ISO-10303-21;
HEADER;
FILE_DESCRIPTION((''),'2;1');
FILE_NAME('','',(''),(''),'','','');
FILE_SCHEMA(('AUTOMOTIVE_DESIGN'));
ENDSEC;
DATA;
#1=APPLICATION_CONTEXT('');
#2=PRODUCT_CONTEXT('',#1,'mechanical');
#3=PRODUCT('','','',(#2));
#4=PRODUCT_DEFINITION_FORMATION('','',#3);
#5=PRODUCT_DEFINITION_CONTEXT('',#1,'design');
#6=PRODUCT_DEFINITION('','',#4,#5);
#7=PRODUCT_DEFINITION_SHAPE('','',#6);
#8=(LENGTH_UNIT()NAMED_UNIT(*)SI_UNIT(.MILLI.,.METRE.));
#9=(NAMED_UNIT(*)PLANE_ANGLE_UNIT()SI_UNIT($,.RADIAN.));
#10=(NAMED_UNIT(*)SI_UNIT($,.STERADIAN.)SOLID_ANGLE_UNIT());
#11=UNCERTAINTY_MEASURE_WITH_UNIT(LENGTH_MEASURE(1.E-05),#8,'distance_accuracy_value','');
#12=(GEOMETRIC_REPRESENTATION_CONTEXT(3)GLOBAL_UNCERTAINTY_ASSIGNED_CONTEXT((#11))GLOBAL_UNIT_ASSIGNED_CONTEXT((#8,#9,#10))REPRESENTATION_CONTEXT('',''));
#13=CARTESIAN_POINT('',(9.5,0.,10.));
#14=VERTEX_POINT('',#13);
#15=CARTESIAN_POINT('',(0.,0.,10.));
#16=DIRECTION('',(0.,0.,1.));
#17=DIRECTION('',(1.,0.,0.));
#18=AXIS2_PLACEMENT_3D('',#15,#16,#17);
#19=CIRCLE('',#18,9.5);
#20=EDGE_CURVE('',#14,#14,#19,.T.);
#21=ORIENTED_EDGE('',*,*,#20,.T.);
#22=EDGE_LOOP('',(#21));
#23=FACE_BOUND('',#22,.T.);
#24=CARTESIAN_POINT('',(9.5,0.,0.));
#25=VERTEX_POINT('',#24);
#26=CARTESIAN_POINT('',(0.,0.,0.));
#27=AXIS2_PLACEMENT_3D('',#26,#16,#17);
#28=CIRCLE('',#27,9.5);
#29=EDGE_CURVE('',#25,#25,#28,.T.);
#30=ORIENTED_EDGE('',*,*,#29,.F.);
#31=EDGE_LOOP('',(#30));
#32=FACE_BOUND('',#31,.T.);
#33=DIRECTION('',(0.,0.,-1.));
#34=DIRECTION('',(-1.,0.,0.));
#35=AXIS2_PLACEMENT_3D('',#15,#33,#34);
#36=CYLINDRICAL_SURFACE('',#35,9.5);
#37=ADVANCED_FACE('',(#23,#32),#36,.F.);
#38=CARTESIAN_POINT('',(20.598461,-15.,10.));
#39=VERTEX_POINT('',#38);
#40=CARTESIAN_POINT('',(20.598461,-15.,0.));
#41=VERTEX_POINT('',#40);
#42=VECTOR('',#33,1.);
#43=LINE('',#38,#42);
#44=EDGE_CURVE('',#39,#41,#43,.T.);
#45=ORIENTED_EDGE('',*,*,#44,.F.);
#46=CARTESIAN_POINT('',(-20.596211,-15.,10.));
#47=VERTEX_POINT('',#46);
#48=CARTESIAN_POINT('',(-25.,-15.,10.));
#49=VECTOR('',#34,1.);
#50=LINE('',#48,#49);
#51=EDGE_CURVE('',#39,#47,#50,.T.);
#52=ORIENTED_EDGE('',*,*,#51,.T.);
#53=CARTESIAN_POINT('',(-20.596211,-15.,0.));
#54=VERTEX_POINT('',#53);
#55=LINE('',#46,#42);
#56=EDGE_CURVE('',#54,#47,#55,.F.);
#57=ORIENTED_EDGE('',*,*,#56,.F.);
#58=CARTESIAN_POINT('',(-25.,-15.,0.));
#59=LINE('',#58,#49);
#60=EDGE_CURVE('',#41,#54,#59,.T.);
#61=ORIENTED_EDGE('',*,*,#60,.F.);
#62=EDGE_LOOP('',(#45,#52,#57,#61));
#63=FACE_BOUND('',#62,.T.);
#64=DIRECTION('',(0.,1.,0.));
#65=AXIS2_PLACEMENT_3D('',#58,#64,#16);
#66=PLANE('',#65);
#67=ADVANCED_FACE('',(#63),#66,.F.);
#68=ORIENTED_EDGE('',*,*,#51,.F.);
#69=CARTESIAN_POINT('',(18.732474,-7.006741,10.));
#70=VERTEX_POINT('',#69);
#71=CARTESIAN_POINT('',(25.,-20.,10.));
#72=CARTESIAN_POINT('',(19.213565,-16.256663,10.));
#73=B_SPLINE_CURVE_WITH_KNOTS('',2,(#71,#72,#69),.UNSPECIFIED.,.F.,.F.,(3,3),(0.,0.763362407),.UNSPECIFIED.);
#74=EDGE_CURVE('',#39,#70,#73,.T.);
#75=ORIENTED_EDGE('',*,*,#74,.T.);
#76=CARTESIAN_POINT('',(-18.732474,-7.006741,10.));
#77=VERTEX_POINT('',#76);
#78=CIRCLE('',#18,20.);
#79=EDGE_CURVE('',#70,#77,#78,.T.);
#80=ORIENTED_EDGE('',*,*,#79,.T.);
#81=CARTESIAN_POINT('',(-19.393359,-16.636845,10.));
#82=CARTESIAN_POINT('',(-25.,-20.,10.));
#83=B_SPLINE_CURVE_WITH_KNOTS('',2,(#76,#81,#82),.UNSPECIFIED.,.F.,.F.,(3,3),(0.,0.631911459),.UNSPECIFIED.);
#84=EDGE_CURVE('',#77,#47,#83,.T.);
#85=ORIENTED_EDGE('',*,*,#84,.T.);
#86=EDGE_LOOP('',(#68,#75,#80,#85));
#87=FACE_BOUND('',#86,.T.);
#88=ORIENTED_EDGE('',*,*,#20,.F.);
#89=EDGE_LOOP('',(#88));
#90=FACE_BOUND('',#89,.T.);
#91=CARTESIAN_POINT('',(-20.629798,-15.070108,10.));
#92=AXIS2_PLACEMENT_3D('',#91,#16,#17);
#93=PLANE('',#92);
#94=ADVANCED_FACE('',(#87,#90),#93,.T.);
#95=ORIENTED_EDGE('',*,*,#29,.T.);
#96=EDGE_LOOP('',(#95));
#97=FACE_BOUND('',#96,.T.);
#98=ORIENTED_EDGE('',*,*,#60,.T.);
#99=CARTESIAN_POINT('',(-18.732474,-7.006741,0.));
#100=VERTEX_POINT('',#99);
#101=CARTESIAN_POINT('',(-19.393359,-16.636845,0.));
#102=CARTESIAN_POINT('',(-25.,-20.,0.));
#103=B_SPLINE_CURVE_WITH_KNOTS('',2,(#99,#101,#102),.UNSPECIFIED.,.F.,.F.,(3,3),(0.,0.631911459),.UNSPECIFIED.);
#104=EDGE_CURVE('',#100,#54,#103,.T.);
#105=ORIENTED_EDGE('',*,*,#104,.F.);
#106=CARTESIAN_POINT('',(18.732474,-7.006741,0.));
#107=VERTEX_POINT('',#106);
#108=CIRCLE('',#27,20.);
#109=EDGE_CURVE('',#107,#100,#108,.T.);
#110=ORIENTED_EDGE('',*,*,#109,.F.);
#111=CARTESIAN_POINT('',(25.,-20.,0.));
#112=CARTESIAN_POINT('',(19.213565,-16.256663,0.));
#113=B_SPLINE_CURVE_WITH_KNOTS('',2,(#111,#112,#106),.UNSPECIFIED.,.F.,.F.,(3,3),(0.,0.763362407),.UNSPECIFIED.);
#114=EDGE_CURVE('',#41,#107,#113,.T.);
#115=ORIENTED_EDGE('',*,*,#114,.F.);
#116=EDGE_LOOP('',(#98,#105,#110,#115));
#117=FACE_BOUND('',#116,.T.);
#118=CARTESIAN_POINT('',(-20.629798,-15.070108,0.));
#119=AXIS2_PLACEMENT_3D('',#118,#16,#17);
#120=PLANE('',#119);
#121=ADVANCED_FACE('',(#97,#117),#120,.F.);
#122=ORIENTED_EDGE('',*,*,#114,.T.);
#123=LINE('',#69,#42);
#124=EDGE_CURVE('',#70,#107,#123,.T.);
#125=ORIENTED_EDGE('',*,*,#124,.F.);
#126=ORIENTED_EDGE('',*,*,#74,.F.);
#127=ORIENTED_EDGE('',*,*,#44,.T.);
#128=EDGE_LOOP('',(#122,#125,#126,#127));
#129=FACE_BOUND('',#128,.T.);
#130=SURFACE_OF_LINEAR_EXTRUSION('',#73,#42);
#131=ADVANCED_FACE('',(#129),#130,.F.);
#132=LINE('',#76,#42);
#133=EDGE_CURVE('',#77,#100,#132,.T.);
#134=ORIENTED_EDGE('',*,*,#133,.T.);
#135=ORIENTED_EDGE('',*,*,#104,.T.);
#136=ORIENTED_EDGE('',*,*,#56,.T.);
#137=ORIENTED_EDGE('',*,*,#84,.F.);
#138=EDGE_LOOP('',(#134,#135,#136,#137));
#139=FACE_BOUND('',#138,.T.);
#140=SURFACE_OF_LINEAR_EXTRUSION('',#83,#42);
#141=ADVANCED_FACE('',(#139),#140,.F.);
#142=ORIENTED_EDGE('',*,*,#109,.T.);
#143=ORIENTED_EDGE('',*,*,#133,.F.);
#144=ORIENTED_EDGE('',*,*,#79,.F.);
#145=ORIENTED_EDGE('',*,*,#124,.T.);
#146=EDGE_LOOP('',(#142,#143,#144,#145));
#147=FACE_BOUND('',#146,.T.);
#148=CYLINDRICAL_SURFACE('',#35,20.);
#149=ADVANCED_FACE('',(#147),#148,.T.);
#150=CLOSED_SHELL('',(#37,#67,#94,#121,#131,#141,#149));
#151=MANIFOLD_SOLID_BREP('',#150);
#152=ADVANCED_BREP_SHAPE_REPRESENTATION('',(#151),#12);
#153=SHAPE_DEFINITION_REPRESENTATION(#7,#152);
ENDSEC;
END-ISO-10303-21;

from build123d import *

# Parameters (mm, degrees)
SKETCH1_R           = 9.5
BOSS_EXTRUDE1_DEPTH = 10
SKETCH2_W           = 50.0481005
SKETCH2_H           = 5
CUT_EXTRUDE1_DEPTH  = 10


with BuildPart() as part:
    # Sketch1 → Boss-Extrude1 (new body)
    with BuildSketch(Plane.XY):
        with BuildLine():
            Line((-25, -20), (25, -20))
            add(Edge.make_bspline(
                [(18.732474137, -7.006740519), (19.213565223, -16.256662958), (25, -20)],
                knots=[0, 0, 0, 0.763362407, 0.763362407, 0.763362407], degree=2))
            ThreePointArc((18.732474137, -7.006740519), (0, 20), (-18.732474137, -7.006740519))
            add(Edge.make_bspline(
                [(-18.732474137, -7.006740519), (-19.393359213, -16.636844777), (-25, -20)],
                knots=[0, 0, 0, 0.631911459, 0.631911459, 0.631911459], degree=2))
        make_face()
        Circle(SKETCH1_R, mode=Mode.SUBTRACT)
    extrude(amount=BOSS_EXTRUDE1_DEPTH)

    # Sketch2 → Cut-Extrude1 (cut)
    with BuildSketch(Plane.XY.offset(10)):
        with Locations((0.02405025, -17.5)):
            Rectangle(SKETCH2_W, SKETCH2_H)
    extrude(amount=-CUT_EXTRUDE1_DEPTH, mode=Mode.SUBTRACT)


solid = part.part
